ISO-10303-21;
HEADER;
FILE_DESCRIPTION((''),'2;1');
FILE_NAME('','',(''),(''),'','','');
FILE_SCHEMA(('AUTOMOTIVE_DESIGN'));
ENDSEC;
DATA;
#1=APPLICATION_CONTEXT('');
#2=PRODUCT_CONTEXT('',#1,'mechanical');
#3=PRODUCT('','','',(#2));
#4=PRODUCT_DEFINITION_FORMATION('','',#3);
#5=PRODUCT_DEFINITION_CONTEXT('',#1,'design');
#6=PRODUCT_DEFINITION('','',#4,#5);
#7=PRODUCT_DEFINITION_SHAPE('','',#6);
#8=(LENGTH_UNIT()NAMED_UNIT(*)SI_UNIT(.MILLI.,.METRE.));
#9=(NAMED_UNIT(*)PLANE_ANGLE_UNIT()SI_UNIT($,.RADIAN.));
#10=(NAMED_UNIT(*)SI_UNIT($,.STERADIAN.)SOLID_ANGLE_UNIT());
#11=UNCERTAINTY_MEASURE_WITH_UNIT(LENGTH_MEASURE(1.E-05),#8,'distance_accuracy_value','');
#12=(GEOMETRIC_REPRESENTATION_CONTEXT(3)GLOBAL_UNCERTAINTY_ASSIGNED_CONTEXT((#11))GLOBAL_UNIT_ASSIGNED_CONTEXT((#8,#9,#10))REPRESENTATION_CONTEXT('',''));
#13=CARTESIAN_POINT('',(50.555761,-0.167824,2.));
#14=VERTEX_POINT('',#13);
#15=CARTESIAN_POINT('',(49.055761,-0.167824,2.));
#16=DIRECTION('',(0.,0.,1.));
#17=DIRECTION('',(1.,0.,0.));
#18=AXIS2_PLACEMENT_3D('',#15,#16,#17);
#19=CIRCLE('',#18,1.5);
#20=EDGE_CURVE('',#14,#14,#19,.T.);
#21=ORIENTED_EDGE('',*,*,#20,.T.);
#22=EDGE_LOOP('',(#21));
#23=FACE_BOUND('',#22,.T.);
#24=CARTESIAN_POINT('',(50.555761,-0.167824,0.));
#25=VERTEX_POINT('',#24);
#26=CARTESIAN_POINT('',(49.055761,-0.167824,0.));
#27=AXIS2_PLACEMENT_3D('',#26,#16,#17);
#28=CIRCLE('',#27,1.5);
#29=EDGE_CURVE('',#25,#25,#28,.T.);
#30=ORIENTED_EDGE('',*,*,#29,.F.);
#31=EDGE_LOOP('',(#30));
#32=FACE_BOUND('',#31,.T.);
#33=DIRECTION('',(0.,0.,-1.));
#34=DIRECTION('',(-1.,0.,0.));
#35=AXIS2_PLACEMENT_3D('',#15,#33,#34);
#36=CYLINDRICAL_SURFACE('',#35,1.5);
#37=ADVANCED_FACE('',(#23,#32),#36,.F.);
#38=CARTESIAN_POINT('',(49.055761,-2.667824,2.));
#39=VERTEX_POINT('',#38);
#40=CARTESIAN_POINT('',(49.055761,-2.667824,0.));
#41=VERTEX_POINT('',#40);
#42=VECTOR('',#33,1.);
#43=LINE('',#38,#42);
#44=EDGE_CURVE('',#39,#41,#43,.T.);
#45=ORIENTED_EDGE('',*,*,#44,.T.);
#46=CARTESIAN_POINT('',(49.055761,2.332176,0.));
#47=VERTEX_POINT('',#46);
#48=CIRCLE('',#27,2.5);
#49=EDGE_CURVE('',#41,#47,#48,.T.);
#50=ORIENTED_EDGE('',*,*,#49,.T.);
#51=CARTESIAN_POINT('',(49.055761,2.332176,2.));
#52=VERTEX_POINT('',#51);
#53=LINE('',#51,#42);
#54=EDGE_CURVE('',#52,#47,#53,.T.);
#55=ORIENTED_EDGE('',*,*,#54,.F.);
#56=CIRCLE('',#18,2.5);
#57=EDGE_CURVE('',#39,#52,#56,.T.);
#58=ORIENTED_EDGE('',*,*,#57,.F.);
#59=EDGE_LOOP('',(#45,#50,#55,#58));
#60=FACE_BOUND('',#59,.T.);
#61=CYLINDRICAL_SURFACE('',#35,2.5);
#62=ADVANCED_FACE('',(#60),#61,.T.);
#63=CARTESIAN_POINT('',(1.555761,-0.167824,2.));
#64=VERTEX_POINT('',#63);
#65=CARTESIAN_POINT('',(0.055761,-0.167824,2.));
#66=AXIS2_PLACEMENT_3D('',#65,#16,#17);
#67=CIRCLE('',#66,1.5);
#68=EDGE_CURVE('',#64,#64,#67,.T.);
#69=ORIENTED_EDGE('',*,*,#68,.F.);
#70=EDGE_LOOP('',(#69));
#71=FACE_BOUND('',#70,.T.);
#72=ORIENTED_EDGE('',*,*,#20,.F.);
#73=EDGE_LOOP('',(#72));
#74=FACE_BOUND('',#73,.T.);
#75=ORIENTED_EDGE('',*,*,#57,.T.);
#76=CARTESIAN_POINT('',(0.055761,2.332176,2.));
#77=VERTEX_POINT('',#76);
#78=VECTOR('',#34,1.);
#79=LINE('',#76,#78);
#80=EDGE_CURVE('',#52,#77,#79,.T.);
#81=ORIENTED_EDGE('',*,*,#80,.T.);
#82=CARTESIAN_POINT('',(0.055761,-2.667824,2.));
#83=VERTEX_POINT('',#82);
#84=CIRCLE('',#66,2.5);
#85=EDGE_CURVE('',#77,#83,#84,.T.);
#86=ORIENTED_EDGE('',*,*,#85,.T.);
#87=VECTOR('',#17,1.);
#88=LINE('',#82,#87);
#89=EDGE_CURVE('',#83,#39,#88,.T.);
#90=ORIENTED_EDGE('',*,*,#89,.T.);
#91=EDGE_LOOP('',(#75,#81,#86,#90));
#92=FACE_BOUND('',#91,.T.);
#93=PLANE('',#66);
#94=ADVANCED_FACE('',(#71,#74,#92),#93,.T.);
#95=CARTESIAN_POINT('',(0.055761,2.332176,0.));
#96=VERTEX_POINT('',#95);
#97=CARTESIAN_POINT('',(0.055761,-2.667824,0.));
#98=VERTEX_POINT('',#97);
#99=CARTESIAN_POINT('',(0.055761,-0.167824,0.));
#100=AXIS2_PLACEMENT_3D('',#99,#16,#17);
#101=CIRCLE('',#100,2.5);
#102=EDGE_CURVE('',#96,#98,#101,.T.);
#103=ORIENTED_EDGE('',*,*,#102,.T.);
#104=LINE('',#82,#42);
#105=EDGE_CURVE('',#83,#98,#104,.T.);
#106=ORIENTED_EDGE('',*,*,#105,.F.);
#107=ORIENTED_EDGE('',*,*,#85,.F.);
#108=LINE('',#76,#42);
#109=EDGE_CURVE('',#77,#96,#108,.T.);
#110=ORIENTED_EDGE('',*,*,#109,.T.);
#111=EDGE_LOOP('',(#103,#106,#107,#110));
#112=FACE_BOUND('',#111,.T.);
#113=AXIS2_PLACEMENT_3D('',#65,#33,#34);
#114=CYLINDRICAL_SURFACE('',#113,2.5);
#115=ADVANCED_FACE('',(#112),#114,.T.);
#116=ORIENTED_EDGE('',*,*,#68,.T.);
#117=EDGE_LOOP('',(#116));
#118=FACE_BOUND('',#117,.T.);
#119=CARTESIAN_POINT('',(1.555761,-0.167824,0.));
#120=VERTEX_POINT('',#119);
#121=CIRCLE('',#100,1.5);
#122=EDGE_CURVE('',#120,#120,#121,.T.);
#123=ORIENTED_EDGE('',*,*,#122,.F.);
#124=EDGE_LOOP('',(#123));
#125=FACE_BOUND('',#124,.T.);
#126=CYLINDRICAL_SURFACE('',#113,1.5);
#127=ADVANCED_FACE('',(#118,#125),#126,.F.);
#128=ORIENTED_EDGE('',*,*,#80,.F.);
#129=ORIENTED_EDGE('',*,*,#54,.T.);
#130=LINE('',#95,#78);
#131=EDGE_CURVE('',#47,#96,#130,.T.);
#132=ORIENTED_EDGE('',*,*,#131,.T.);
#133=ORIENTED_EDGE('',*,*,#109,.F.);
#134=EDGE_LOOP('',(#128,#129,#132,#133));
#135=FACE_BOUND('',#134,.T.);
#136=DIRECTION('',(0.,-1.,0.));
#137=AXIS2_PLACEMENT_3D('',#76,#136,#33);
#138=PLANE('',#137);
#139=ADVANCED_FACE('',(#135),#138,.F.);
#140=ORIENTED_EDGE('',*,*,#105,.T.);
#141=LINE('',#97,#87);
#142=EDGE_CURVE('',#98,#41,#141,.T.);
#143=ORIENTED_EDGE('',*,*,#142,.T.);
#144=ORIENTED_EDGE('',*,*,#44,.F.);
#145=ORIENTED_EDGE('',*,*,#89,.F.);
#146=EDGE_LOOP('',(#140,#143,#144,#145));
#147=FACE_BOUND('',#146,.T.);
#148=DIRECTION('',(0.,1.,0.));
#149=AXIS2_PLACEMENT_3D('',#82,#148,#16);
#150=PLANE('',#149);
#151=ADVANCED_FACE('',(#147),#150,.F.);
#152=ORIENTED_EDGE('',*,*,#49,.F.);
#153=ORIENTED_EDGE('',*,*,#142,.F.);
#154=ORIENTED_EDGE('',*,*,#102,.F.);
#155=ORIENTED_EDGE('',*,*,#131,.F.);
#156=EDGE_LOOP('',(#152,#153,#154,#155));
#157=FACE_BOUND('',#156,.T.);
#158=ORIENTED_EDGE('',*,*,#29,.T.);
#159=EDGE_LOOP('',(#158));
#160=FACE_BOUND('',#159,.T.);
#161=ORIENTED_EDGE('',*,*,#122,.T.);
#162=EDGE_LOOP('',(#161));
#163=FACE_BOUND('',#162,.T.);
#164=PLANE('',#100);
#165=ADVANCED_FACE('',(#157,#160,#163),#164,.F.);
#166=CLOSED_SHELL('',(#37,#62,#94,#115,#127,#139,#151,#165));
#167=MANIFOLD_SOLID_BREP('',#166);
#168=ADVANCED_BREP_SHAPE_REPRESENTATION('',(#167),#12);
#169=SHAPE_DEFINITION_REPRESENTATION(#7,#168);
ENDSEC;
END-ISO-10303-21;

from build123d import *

# Parameters (mm, degrees)
SKETCH1_R           = 1.5
BOSS_EXTRUDE1_DEPTH = 2


with BuildPart() as part:
    # Sketch1 → Boss-Extrude1 (new body)
    with BuildSketch(Plane.XY):
        with BuildLine():
            Line((0.055761485, 2.332176341), (49.055761485, 2.332176341))
            ThreePointArc((49.055761485, 2.332176341), (51.555761485, -0.167823659), (49.055761485, -2.667823659))
            Line((49.055761485, -2.667823659), (0.055761485, -2.667823659))
            ThreePointArc((0.055761485, -2.667823659), (-2.444238515, -0.167823659), (0.055761485, 2.332176341))
        make_face()
        with Locations((0.055761485, -0.167823659)):
            Circle(SKETCH1_R, mode=Mode.SUBTRACT)
        with Locations((49.055761485, -0.167823659)):
            Circle(SKETCH1_R, mode=Mode.SUBTRACT)
    extrude(amount=BOSS_EXTRUDE1_DEPTH)


solid = part.part
